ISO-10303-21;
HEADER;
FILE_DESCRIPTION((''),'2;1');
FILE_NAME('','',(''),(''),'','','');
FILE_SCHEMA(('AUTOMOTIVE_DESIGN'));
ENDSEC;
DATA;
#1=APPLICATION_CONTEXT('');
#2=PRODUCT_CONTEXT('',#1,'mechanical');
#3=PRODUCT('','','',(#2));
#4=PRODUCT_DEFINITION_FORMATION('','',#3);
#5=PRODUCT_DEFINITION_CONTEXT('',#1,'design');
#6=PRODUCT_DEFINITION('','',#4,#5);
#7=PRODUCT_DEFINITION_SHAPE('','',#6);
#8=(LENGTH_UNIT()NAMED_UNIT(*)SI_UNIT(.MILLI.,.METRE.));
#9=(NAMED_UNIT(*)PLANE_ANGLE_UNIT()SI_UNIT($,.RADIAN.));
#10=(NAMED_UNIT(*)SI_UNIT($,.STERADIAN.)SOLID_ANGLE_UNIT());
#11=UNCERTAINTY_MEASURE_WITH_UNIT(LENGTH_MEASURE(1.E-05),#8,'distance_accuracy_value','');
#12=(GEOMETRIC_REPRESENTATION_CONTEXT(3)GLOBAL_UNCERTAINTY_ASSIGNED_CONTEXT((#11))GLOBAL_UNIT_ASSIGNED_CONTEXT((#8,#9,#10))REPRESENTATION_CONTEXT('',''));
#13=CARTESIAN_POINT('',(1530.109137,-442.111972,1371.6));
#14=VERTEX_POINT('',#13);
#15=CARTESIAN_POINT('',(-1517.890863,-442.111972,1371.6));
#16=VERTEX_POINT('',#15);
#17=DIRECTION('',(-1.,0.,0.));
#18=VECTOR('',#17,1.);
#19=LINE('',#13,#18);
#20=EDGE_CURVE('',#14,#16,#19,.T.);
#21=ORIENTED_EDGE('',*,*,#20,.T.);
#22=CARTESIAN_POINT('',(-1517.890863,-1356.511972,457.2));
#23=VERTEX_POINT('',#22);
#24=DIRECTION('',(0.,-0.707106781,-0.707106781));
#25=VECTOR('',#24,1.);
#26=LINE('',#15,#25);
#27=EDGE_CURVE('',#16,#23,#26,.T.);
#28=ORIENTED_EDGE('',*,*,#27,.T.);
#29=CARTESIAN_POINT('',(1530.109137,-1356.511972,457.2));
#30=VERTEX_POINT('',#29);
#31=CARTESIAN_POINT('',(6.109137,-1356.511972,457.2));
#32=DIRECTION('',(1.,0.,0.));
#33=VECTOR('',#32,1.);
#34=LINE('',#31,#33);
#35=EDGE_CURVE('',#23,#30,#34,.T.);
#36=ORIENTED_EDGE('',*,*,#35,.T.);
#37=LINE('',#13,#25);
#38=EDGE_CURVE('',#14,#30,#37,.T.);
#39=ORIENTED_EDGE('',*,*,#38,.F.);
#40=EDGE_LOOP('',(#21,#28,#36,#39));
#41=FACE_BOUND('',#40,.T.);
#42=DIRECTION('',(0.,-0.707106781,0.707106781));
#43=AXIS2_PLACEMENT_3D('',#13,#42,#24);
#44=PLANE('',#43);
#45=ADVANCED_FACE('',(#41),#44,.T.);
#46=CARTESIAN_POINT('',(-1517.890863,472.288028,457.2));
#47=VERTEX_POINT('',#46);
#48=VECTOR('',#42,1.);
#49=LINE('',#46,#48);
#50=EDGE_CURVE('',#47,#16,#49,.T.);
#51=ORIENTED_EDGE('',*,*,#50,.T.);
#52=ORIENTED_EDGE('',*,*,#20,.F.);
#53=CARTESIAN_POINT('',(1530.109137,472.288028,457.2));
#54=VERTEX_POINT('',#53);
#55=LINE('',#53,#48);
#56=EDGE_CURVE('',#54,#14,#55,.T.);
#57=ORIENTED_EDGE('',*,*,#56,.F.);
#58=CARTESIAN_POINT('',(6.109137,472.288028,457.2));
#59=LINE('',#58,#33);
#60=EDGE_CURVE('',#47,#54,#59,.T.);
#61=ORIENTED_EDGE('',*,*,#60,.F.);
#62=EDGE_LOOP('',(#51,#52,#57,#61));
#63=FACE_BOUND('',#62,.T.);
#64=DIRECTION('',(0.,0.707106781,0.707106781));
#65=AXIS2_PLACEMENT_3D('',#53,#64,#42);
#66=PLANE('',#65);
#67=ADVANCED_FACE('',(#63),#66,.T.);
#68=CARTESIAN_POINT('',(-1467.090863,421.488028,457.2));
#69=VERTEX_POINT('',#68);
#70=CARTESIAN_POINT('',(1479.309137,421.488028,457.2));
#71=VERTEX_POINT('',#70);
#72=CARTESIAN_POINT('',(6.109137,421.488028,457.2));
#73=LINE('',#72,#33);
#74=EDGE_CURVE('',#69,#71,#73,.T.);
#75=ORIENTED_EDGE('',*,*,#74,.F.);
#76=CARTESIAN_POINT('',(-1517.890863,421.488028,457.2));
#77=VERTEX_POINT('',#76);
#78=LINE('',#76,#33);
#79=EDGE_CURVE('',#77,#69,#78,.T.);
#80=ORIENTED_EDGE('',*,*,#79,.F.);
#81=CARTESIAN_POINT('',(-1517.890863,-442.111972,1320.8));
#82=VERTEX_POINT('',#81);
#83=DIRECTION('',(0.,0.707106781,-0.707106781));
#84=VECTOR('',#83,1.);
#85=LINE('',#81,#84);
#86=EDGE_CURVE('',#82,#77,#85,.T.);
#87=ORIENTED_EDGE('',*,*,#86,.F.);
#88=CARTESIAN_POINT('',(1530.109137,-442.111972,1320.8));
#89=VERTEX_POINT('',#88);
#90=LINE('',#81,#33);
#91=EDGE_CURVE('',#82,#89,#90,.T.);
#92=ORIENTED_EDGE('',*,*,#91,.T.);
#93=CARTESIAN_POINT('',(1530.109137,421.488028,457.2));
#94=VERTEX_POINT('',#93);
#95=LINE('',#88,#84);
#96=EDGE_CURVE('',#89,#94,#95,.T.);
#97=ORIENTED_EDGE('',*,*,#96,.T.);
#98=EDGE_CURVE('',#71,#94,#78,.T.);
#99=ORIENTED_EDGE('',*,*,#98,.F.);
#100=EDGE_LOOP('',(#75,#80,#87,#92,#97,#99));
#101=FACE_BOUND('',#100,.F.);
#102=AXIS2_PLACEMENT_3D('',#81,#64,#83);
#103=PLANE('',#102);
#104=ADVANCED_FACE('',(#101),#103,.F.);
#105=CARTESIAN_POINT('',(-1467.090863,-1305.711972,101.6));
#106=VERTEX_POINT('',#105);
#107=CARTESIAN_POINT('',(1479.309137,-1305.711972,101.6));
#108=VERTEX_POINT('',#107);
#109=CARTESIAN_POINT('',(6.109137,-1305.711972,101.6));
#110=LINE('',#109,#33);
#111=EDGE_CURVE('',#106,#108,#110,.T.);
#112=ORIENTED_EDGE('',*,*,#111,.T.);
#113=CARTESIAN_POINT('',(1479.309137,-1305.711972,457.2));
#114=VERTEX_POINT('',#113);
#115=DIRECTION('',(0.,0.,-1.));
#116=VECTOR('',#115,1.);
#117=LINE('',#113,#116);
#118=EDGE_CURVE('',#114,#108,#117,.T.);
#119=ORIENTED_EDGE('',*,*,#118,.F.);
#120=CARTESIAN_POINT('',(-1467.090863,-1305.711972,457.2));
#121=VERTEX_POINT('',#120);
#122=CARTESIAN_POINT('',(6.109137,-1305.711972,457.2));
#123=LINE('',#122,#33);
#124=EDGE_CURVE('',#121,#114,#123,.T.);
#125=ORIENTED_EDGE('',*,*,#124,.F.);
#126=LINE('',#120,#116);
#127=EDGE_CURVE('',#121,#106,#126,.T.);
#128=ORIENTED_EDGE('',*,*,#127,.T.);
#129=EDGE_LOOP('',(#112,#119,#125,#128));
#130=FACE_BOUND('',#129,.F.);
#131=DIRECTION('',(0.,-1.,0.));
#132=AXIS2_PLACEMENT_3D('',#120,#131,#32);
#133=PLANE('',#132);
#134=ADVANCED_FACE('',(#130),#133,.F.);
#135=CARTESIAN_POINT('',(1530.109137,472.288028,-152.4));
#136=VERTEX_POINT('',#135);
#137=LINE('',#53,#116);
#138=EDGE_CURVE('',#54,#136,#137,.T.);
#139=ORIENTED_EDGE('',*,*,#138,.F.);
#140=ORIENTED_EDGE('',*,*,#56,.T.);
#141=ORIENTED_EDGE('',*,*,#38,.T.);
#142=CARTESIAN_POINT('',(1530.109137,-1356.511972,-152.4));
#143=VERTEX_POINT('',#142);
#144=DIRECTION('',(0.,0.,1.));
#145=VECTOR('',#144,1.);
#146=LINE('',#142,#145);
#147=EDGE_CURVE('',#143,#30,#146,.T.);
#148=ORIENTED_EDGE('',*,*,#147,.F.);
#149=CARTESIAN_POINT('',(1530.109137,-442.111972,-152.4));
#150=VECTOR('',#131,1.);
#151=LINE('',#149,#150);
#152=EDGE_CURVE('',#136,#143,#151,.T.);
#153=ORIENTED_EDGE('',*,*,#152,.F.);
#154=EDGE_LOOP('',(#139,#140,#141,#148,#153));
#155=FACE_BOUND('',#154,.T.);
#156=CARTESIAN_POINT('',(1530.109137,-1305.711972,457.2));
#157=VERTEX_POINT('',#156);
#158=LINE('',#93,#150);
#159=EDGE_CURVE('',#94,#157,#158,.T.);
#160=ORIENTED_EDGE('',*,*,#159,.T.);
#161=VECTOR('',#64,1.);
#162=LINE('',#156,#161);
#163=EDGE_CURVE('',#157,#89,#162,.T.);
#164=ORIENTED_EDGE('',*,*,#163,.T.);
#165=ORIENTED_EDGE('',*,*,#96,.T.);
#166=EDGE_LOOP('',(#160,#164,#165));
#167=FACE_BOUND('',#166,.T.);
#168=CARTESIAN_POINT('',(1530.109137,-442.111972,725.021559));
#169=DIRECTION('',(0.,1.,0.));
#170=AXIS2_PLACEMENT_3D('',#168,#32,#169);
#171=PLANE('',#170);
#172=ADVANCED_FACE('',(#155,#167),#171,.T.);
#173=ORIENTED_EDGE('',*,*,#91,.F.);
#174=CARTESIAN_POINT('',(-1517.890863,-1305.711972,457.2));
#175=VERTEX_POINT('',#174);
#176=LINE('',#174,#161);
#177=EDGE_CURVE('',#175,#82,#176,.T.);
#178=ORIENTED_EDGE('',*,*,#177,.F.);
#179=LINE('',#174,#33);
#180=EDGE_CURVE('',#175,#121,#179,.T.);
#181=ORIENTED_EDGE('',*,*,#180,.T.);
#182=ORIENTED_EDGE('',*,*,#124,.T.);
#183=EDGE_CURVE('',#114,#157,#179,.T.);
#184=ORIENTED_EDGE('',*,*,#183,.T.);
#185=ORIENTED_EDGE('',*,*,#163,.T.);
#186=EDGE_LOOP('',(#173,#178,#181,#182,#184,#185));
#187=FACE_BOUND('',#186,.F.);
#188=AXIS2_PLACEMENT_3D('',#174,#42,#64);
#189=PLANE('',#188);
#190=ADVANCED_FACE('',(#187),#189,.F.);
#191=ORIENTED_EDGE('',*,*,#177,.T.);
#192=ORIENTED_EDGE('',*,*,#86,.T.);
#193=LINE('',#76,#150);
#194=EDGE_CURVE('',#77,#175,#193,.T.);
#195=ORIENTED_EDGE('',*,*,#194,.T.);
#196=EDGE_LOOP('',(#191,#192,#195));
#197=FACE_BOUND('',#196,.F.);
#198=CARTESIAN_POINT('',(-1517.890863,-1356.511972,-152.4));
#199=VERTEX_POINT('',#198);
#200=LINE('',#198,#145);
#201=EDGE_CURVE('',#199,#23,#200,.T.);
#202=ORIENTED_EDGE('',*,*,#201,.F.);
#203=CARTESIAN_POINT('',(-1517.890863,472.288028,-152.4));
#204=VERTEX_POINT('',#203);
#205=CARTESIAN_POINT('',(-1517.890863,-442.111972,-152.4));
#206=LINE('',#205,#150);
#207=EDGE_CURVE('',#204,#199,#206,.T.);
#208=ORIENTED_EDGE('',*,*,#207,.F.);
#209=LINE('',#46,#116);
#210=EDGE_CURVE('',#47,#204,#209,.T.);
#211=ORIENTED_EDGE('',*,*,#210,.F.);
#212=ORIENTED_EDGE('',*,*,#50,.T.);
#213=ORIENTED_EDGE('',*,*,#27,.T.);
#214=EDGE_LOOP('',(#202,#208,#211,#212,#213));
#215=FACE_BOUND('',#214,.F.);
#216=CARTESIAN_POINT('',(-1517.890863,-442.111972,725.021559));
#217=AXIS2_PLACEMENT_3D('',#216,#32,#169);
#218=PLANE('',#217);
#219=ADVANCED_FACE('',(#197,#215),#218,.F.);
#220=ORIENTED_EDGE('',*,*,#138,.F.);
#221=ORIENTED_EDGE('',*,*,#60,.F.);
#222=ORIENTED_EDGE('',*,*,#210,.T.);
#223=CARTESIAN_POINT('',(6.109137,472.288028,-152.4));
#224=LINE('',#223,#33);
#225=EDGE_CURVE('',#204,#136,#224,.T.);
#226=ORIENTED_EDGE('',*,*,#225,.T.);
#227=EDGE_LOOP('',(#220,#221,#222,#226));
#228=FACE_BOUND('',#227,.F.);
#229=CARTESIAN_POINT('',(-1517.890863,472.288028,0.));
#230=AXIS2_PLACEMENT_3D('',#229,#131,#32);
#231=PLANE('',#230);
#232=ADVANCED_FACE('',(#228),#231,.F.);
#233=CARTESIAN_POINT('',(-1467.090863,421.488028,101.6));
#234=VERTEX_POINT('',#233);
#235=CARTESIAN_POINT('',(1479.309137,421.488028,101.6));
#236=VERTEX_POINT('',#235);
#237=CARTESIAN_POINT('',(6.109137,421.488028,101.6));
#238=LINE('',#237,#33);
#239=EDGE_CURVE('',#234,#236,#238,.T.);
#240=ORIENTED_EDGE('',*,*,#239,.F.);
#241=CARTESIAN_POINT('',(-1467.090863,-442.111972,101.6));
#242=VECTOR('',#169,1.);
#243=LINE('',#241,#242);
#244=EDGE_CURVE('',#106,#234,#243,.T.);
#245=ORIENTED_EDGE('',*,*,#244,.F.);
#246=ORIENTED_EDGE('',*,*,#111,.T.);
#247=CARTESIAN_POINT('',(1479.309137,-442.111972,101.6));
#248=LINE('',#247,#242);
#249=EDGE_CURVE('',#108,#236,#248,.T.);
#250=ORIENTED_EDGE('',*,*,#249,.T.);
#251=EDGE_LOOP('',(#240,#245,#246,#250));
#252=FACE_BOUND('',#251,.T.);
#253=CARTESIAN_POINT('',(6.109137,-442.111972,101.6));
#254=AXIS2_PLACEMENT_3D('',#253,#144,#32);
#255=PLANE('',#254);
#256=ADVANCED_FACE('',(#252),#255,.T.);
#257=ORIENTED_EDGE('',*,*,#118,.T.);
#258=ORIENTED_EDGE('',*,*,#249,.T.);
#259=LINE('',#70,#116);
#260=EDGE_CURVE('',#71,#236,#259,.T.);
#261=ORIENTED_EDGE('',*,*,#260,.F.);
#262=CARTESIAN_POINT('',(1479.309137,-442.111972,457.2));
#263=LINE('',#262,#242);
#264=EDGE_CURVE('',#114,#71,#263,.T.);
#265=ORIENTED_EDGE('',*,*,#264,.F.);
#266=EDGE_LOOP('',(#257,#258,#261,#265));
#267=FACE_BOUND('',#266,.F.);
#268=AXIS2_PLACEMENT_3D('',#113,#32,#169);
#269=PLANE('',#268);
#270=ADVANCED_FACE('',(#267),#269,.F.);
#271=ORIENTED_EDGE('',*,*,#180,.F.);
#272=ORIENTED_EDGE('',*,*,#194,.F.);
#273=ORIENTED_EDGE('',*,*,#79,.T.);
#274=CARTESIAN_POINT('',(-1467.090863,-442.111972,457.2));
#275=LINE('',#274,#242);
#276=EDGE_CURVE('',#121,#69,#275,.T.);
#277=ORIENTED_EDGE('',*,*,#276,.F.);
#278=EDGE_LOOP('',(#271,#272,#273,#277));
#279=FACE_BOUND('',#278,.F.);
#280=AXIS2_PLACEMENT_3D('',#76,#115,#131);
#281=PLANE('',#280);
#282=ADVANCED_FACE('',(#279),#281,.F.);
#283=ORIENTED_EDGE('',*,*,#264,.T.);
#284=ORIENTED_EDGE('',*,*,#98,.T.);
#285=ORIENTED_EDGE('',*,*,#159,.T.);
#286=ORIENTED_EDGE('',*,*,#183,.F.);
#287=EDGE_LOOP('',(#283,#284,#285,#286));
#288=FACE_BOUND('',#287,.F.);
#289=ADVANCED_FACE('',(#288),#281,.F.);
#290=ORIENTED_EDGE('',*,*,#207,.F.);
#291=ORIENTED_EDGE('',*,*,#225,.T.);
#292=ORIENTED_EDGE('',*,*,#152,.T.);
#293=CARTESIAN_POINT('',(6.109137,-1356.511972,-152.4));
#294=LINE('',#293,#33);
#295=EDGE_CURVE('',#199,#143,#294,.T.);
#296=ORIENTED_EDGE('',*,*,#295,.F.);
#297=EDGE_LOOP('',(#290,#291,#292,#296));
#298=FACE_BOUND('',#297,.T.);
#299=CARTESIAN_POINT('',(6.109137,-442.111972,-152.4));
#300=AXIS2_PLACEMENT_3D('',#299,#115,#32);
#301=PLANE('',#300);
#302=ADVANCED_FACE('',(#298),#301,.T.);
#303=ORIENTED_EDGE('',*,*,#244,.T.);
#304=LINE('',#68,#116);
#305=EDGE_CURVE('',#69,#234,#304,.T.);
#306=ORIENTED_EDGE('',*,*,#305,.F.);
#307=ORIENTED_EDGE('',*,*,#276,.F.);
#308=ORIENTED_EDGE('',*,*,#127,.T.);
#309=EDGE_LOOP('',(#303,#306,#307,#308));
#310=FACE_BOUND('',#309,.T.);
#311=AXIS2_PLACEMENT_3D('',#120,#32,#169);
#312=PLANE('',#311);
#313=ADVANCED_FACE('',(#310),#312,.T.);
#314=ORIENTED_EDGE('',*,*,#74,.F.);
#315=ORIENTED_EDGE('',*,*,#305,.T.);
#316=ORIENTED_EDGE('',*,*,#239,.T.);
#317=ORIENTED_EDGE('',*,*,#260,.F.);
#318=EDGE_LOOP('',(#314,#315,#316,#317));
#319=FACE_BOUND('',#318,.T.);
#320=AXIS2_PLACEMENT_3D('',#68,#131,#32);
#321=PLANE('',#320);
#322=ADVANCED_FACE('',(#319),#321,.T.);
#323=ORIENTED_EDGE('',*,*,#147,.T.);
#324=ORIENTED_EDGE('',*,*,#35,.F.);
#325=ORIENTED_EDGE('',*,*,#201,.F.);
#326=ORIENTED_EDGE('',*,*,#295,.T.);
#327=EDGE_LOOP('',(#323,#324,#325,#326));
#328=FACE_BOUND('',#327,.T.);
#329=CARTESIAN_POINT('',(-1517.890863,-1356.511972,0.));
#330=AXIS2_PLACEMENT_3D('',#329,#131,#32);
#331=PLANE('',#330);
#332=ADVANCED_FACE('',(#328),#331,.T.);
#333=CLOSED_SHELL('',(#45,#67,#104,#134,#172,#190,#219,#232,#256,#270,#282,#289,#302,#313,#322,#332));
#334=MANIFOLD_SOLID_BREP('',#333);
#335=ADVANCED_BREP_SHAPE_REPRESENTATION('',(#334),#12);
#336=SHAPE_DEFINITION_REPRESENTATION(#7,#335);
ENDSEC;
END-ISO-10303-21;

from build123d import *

# Parameters (mm, degrees)
F0_W      = 3048
F0_H      = 1828.8
F1_DEPTH  = 457.2
F2_W      = 2946.4
F2_H      = 1727.2
F3_DEPTH  = 355.6
F6_W      = 3048
F6_H      = 1828.8
F7_DEPTH  = 152.4
F8_DEPTH  = 3048
F10_DEPTH = 3048


with BuildPart() as f1:
    # F0 (on Top) → F1 (new body)
    with BuildSketch(Plane.XY):
        with Locations((6.109137, -442.111972)):
            Rectangle(F0_W, F0_H)
    extrude(amount=F1_DEPTH)

    # F2 (on face) → F3 (cut)
    with BuildSketch(Plane.XY.offset(457.2)):
        with Locations((6.109137, -442.111972)):
            Rectangle(F2_W, F2_H)
    extrude(amount=-F3_DEPTH, mode=Mode.SUBTRACT)

    # F6 (on face) → F7 (join)
    with BuildSketch(Plane(origin=(0, 0, 0), x_dir=(1, 0, 0), z_dir=(0, 0, -1))):
        with Locations((6.109137, 442.111972)):
            Rectangle(F6_W, F6_H)
    extrude(amount=F7_DEPTH)

    # F5 (on face) → F8 (join)
    with BuildSketch(Plane.YZ.offset(1530.109137)):
        Polygon((-442.111972, 1371.6), (-1356.511972, 457.2), (472.288028, 457.2), align=None)
    extrude(amount=-F8_DEPTH)

    # F9 (on face) → F10 (cut)
    with BuildSketch(Plane(origin=(-1517.890863, 0, 0), x_dir=(0, -1, 0), z_dir=(-1, 0, 0))):
        Polygon((442.111972, 1320.8), (-421.488028, 457.2), (1305.711972, 457.2), align=None)
    extrude(amount=-F10_DEPTH, mode=Mode.SUBTRACT)


solid = f1.part
